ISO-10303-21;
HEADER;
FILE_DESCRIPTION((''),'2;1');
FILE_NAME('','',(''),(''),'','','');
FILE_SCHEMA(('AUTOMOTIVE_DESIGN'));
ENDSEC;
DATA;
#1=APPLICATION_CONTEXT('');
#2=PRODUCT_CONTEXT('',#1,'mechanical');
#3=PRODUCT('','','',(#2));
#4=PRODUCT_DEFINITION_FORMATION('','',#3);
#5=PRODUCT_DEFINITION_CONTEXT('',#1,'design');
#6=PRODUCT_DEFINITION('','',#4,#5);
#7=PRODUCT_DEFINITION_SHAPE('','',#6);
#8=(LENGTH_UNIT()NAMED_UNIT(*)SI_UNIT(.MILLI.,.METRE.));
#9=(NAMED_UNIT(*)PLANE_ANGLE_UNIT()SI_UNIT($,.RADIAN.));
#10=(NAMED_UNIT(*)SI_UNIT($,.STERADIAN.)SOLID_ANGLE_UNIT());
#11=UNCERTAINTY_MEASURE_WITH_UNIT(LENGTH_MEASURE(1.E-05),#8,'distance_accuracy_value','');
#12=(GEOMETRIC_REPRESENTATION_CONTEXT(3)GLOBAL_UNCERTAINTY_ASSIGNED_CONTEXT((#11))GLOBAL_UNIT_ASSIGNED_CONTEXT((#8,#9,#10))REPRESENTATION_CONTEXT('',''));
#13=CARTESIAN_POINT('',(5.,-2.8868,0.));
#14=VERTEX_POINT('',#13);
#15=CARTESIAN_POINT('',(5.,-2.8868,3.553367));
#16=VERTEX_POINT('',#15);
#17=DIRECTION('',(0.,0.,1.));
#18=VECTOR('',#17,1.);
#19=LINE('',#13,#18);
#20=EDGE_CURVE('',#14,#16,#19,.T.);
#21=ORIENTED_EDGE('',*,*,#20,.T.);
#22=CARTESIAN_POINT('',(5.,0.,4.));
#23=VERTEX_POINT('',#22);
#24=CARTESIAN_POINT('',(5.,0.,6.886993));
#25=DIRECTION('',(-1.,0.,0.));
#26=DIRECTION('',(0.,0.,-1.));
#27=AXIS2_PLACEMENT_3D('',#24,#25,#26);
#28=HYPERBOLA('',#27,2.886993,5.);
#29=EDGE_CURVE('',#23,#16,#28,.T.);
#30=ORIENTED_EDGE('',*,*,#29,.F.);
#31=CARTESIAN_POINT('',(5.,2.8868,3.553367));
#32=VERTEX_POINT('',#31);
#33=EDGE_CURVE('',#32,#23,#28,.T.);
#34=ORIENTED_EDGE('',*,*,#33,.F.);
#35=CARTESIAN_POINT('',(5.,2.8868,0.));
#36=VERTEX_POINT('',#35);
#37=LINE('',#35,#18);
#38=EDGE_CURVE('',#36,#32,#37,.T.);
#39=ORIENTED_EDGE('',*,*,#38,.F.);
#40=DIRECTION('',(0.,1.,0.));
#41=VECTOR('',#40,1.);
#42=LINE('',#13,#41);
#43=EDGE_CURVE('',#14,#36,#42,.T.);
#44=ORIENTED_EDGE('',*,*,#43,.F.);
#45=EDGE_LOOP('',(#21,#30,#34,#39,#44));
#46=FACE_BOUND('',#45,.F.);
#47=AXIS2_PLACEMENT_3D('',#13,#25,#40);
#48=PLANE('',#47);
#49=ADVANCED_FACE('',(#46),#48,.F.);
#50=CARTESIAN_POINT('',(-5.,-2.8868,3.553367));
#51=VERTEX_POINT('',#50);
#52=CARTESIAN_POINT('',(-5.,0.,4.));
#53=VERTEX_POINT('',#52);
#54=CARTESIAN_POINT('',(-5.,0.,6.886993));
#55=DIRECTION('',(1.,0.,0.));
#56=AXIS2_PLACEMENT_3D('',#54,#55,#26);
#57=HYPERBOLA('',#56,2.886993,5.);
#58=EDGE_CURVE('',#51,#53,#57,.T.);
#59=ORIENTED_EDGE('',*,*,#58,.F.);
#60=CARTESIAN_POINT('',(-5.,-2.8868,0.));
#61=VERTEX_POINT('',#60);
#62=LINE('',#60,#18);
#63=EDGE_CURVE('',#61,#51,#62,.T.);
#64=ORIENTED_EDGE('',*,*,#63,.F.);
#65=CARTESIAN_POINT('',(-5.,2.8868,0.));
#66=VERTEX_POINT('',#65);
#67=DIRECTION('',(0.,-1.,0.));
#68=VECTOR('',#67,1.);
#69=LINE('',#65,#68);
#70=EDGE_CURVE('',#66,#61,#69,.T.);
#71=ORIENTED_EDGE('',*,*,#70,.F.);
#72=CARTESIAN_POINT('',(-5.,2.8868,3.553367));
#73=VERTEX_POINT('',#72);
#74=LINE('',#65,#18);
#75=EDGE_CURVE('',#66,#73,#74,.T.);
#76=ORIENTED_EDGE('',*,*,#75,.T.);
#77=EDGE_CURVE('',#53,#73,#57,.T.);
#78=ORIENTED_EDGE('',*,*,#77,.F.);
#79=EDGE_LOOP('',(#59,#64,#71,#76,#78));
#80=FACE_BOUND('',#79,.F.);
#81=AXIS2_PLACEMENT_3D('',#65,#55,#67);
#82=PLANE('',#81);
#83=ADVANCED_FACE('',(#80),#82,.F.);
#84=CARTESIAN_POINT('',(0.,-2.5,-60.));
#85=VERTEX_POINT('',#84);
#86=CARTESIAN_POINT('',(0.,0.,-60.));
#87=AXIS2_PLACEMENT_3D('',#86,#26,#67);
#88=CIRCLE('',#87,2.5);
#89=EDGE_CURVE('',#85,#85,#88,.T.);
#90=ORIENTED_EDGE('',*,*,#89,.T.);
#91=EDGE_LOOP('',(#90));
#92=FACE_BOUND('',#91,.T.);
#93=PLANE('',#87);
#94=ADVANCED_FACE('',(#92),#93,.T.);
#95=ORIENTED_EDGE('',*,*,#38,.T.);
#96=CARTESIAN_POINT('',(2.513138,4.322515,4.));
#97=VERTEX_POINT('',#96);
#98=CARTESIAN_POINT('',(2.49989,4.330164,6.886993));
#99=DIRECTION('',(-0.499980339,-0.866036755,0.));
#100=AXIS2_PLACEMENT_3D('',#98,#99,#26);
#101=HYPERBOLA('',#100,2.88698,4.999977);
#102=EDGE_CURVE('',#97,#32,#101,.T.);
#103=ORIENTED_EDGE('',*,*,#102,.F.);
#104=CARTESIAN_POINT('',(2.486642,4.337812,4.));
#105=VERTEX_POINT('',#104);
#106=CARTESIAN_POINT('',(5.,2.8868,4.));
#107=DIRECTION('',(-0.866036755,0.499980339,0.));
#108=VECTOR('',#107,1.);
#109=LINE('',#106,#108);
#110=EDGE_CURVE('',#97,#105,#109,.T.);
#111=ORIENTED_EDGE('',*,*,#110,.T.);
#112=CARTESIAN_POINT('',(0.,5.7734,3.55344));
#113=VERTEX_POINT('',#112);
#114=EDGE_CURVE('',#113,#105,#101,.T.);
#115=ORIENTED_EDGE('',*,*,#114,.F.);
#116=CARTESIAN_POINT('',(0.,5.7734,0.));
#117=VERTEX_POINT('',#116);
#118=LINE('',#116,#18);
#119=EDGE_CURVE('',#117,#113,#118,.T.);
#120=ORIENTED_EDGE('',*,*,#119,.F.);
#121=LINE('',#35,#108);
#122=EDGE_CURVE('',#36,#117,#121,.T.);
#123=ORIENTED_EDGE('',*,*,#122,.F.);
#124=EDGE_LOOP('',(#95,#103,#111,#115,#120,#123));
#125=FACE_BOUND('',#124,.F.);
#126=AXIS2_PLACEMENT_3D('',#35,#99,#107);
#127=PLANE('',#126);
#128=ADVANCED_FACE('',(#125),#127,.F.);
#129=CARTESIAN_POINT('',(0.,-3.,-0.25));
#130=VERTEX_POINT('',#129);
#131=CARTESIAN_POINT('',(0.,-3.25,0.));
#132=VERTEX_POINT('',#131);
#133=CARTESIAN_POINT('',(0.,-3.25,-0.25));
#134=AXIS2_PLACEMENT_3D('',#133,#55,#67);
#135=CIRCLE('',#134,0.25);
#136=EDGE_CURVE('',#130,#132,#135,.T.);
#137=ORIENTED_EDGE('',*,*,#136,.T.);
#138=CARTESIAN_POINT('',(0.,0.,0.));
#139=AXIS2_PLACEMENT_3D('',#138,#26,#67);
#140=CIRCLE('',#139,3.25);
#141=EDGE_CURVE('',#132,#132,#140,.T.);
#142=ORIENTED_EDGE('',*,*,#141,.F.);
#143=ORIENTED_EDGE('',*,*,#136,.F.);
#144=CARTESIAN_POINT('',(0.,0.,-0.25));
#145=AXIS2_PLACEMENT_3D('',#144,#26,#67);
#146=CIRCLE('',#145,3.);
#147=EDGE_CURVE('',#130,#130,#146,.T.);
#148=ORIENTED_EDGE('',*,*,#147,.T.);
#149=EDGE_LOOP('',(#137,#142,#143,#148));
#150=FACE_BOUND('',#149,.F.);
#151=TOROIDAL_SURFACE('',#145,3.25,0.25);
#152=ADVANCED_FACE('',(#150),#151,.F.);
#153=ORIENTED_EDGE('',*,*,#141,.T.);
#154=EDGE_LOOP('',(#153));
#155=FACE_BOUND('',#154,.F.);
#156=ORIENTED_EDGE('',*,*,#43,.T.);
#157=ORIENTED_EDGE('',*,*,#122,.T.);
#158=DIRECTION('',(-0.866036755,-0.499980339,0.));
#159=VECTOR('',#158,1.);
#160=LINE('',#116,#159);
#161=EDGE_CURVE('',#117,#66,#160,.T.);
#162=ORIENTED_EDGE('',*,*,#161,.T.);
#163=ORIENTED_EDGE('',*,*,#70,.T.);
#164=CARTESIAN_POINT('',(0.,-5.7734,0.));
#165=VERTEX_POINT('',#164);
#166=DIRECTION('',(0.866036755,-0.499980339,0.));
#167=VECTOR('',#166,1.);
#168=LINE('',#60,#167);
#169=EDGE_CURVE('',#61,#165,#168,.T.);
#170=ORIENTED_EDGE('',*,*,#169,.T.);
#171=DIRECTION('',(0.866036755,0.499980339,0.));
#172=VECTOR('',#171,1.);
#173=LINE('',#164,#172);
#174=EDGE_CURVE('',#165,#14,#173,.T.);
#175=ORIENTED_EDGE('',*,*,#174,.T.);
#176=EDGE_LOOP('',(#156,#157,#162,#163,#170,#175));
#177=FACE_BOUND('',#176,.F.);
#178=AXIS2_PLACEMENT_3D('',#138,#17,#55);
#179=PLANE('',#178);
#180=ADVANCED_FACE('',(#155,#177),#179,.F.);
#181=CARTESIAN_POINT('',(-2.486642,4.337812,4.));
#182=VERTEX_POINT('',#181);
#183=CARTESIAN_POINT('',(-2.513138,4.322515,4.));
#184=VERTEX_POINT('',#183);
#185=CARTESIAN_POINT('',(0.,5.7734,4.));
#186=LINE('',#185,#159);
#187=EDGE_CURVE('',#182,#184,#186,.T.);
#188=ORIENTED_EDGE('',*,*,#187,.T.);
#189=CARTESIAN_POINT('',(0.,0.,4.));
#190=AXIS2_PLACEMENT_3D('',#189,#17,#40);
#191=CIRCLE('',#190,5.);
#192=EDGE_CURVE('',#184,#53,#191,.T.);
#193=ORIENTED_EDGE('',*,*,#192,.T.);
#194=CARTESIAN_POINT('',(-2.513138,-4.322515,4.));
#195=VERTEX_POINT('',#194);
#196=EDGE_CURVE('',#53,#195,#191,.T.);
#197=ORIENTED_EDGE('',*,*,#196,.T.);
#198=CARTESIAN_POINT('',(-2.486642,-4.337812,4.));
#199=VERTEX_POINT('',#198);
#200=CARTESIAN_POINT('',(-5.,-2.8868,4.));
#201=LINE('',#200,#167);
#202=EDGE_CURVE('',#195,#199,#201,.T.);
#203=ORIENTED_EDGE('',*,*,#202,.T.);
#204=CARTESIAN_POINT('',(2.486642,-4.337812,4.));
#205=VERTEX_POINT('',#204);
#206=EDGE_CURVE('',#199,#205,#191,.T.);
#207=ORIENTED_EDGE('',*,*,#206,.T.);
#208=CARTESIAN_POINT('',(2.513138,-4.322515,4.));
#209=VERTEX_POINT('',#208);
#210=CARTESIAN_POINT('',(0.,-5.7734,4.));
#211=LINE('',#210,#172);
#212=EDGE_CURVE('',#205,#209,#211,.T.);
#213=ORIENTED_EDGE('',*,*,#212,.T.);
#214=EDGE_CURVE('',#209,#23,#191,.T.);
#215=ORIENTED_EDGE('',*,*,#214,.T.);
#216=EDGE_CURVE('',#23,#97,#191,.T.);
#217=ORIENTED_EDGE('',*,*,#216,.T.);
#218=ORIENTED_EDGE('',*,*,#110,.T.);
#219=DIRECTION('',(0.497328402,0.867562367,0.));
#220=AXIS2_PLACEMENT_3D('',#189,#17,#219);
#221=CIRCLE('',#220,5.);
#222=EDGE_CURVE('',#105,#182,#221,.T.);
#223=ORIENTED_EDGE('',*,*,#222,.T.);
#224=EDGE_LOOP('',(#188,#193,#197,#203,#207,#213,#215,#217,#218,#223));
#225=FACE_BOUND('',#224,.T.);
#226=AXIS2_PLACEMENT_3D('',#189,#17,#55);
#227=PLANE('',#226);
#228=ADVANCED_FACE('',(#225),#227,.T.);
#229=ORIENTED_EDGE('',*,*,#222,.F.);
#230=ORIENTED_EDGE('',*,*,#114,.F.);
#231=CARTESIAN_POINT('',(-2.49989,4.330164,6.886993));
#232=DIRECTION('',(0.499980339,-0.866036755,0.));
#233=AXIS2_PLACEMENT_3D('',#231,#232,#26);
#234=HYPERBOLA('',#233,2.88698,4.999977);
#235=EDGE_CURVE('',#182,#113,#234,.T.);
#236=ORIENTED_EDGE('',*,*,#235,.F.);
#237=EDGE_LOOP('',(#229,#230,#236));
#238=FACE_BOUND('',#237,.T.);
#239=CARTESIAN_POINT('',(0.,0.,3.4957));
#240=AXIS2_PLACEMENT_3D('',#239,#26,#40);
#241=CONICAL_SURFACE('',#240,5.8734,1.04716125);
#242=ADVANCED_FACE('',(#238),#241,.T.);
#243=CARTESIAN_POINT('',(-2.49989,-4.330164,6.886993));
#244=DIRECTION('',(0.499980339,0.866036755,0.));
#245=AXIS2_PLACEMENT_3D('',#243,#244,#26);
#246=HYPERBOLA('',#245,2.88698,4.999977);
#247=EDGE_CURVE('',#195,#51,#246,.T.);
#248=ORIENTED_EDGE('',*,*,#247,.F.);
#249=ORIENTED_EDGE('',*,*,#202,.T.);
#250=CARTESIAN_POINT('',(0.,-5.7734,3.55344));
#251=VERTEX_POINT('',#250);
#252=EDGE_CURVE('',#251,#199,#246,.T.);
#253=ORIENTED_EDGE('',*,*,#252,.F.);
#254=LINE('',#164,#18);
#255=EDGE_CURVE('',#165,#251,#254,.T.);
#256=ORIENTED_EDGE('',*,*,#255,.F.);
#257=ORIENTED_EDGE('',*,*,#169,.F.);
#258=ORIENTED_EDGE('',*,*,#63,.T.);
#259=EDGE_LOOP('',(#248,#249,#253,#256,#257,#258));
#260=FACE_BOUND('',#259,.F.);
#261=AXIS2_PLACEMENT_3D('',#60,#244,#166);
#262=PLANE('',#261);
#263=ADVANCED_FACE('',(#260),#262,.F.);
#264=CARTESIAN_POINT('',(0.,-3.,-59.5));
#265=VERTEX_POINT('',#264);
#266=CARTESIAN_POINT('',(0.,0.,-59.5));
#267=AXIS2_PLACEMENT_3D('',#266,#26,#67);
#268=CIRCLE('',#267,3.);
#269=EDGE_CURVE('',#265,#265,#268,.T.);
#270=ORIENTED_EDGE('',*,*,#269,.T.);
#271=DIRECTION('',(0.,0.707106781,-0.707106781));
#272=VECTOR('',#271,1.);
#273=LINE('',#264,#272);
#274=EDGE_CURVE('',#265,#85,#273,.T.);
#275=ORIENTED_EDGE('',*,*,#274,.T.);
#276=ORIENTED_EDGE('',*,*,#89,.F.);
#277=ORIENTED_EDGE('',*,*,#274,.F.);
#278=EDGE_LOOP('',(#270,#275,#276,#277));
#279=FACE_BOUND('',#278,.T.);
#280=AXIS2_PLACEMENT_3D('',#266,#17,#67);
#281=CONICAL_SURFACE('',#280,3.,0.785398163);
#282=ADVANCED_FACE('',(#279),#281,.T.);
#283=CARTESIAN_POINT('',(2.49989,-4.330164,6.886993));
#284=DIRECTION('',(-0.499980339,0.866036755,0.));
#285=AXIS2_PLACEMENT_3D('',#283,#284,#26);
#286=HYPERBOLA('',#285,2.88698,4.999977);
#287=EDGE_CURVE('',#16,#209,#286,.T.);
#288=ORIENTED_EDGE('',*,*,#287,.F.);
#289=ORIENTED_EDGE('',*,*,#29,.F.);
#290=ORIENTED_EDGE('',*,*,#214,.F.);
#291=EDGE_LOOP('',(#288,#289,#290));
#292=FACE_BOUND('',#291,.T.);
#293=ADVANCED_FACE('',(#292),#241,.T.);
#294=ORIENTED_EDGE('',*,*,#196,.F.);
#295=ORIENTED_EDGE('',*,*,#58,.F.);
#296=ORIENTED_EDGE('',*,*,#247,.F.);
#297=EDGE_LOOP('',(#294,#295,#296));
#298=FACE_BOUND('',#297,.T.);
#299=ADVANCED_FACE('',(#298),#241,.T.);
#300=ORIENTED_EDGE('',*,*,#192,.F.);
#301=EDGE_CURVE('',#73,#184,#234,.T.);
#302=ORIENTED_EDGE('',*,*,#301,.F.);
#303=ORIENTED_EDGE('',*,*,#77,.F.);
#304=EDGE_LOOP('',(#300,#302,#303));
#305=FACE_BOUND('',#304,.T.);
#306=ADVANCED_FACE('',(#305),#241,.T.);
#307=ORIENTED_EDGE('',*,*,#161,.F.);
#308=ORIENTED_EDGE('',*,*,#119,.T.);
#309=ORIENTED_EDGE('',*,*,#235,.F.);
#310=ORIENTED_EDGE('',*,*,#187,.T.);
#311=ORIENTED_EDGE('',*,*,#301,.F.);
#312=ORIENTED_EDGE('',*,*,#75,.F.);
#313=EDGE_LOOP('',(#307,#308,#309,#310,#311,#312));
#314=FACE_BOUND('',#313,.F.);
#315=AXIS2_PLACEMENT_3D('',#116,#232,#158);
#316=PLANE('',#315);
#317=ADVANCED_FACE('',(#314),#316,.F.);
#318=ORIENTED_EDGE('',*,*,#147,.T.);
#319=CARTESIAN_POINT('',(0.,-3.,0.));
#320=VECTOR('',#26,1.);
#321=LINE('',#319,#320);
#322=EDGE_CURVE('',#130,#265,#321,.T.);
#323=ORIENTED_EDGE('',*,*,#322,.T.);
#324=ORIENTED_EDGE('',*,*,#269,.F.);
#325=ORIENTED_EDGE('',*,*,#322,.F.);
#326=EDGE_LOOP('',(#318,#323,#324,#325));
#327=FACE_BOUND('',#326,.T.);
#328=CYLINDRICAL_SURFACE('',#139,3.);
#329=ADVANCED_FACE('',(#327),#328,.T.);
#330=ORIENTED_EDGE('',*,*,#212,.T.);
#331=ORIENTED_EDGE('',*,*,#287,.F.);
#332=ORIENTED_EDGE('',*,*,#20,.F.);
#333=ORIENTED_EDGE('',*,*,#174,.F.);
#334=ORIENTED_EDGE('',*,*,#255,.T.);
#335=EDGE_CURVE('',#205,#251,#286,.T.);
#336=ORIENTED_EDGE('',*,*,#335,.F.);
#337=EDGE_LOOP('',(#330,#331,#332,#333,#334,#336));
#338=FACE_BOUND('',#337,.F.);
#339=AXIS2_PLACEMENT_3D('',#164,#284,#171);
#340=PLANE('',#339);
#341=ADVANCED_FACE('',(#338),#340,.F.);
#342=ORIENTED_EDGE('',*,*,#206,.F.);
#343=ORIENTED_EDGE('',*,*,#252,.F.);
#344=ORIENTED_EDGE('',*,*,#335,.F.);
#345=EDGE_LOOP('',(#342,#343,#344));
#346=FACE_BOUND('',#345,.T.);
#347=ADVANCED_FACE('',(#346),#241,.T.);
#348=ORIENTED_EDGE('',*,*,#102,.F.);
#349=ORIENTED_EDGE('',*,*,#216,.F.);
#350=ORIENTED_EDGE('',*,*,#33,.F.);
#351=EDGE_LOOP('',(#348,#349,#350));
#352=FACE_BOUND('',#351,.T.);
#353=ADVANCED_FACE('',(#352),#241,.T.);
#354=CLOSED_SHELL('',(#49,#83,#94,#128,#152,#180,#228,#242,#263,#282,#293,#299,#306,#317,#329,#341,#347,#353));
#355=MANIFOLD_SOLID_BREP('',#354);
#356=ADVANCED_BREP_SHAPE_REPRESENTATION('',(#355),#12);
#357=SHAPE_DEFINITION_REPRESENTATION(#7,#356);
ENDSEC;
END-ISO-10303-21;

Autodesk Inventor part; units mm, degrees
ref_plane "WorkPlane1" through (0, 0, 0) normal (0, 0, 1) x (1, 0, 0)
sketch "Sketch1" plane through (0, 0, 0) normal (0, 0, 1) x (1, 0, 0)
  point P0 (0, 0)
sketch "Sketch2" plane through (0, 0, 0) normal (0, 0, 1) x (1, 0, 0)
  line L0 (-5, 2.8868) -> (-5, -2.8868)
  line L1 (0, 5.7734) -> (-5, 2.8868)
  line L2 (5, 2.8868) -> (0, 5.7734)
  line L3 (5, -2.8868) -> (5, 2.8868)
  line L4 (0, -5.7734) -> (5, -2.8868)
  line L5 (-5, -2.8868) -> (0, -5.7734)
  circle A0 centre (0, 0) radius 5 construction
  dimension "d1" = 10
  dimension "d29" = 0
  dimension "d30" = 0
extrude "Extrusion1" add sketch "Sketch2" along normal blind 4
sketch "Sketch3" plane through (0, 0, 0) normal (1, 0, 0) x (0, 1, 0)
  line L0 (5, 4) -> (5.8734, 4)
  line L1 (5.8734, 3.4957) -> (5, 4)
  line L2 (5.8734, 4) -> (5.8734, 3.4957)
  line L3 (0, -0.8) -> (0, 4.8) projected
  line L4 (5.7734, 0) -> (5.7734, 4) projected
  dimension "d25" = 0.1
  dimension "d26" = 0
  dimension "d27" = 60
  dimension "d28" = 5
revolve "Revolution1" cut sketch "Sketch3" angle 360 about axis through (0, 0, -10) along (0, 0, 1)
sketch "Sketch4" plane through (0, 0, 0) normal (1, 0, 0) x (0, 1, 0)
  line L0 (0, -60) -> (0, 0)
  line L1 (-3, -60) -> (0, -60)
  line L2 (-3, 0) -> (-3, -60)
  line L3 (0, 0) -> (-3, 0)
  line L4 (0, -60) -> (0, 0)
  line L5 (-3.6, 0) -> (0.6, 0) projected
  line L6 (0, -72) -> (0, 12) projected
  dimension "d18" = 3
  dimension "d20" = 60
  dimension "d33" = 0
  dimension "d34" = 0
revolve "Revolution2" add sketch "Sketch4" angle 360 about axis through (0, 0, -60) along (0, 0, -1)
chamfer "Chamfer1" distance 0.5 angle 45 1 edges at (0, 3, -60)
fillet "Fillet1" radius 0.25 1 edges at (0, 3, 0)
thread "Thread1" size "M6x1" class "6g" standard "ISO Metric profile" length 58
ref_plane "MSC_PF1" through (0, 0, 0) normal (1, 0, 0) x (0, 1, 0)
ref_plane "MSC_PT1" through (0, 0, 0) normal (0, 0, -1) x (-1, 0, 0)
equation "\"d22\" = 0.5 * PTC"
equation "\"d23\" = 0.5 * PTC"
equation "\"d24\" = r"
equation "\"d1\" = ParS"
equation "\"d6\" = ParK"
equation "\"b\" = NLG - 2 * PTC"
equation "\"d28\" = 0.5 * ParS"
equation "\"d18\" = 0.5 * NND"
equation "\"d20\" = NLG"
equation "\"NND\" = 6"
equation "\"NLG\" = 60"
equation "\"PTC\" = 1"
equation "\"ParK\" = 4"
equation "\"ParS\" = 10"
equation "\"msp_es\" = 0.577367 * ParS"
equation "\"r\" = 0.25"
equation "\"THREADDIA\" = NND"
properties part number "ISO 4018 - M6 x 60" material "Steel"
